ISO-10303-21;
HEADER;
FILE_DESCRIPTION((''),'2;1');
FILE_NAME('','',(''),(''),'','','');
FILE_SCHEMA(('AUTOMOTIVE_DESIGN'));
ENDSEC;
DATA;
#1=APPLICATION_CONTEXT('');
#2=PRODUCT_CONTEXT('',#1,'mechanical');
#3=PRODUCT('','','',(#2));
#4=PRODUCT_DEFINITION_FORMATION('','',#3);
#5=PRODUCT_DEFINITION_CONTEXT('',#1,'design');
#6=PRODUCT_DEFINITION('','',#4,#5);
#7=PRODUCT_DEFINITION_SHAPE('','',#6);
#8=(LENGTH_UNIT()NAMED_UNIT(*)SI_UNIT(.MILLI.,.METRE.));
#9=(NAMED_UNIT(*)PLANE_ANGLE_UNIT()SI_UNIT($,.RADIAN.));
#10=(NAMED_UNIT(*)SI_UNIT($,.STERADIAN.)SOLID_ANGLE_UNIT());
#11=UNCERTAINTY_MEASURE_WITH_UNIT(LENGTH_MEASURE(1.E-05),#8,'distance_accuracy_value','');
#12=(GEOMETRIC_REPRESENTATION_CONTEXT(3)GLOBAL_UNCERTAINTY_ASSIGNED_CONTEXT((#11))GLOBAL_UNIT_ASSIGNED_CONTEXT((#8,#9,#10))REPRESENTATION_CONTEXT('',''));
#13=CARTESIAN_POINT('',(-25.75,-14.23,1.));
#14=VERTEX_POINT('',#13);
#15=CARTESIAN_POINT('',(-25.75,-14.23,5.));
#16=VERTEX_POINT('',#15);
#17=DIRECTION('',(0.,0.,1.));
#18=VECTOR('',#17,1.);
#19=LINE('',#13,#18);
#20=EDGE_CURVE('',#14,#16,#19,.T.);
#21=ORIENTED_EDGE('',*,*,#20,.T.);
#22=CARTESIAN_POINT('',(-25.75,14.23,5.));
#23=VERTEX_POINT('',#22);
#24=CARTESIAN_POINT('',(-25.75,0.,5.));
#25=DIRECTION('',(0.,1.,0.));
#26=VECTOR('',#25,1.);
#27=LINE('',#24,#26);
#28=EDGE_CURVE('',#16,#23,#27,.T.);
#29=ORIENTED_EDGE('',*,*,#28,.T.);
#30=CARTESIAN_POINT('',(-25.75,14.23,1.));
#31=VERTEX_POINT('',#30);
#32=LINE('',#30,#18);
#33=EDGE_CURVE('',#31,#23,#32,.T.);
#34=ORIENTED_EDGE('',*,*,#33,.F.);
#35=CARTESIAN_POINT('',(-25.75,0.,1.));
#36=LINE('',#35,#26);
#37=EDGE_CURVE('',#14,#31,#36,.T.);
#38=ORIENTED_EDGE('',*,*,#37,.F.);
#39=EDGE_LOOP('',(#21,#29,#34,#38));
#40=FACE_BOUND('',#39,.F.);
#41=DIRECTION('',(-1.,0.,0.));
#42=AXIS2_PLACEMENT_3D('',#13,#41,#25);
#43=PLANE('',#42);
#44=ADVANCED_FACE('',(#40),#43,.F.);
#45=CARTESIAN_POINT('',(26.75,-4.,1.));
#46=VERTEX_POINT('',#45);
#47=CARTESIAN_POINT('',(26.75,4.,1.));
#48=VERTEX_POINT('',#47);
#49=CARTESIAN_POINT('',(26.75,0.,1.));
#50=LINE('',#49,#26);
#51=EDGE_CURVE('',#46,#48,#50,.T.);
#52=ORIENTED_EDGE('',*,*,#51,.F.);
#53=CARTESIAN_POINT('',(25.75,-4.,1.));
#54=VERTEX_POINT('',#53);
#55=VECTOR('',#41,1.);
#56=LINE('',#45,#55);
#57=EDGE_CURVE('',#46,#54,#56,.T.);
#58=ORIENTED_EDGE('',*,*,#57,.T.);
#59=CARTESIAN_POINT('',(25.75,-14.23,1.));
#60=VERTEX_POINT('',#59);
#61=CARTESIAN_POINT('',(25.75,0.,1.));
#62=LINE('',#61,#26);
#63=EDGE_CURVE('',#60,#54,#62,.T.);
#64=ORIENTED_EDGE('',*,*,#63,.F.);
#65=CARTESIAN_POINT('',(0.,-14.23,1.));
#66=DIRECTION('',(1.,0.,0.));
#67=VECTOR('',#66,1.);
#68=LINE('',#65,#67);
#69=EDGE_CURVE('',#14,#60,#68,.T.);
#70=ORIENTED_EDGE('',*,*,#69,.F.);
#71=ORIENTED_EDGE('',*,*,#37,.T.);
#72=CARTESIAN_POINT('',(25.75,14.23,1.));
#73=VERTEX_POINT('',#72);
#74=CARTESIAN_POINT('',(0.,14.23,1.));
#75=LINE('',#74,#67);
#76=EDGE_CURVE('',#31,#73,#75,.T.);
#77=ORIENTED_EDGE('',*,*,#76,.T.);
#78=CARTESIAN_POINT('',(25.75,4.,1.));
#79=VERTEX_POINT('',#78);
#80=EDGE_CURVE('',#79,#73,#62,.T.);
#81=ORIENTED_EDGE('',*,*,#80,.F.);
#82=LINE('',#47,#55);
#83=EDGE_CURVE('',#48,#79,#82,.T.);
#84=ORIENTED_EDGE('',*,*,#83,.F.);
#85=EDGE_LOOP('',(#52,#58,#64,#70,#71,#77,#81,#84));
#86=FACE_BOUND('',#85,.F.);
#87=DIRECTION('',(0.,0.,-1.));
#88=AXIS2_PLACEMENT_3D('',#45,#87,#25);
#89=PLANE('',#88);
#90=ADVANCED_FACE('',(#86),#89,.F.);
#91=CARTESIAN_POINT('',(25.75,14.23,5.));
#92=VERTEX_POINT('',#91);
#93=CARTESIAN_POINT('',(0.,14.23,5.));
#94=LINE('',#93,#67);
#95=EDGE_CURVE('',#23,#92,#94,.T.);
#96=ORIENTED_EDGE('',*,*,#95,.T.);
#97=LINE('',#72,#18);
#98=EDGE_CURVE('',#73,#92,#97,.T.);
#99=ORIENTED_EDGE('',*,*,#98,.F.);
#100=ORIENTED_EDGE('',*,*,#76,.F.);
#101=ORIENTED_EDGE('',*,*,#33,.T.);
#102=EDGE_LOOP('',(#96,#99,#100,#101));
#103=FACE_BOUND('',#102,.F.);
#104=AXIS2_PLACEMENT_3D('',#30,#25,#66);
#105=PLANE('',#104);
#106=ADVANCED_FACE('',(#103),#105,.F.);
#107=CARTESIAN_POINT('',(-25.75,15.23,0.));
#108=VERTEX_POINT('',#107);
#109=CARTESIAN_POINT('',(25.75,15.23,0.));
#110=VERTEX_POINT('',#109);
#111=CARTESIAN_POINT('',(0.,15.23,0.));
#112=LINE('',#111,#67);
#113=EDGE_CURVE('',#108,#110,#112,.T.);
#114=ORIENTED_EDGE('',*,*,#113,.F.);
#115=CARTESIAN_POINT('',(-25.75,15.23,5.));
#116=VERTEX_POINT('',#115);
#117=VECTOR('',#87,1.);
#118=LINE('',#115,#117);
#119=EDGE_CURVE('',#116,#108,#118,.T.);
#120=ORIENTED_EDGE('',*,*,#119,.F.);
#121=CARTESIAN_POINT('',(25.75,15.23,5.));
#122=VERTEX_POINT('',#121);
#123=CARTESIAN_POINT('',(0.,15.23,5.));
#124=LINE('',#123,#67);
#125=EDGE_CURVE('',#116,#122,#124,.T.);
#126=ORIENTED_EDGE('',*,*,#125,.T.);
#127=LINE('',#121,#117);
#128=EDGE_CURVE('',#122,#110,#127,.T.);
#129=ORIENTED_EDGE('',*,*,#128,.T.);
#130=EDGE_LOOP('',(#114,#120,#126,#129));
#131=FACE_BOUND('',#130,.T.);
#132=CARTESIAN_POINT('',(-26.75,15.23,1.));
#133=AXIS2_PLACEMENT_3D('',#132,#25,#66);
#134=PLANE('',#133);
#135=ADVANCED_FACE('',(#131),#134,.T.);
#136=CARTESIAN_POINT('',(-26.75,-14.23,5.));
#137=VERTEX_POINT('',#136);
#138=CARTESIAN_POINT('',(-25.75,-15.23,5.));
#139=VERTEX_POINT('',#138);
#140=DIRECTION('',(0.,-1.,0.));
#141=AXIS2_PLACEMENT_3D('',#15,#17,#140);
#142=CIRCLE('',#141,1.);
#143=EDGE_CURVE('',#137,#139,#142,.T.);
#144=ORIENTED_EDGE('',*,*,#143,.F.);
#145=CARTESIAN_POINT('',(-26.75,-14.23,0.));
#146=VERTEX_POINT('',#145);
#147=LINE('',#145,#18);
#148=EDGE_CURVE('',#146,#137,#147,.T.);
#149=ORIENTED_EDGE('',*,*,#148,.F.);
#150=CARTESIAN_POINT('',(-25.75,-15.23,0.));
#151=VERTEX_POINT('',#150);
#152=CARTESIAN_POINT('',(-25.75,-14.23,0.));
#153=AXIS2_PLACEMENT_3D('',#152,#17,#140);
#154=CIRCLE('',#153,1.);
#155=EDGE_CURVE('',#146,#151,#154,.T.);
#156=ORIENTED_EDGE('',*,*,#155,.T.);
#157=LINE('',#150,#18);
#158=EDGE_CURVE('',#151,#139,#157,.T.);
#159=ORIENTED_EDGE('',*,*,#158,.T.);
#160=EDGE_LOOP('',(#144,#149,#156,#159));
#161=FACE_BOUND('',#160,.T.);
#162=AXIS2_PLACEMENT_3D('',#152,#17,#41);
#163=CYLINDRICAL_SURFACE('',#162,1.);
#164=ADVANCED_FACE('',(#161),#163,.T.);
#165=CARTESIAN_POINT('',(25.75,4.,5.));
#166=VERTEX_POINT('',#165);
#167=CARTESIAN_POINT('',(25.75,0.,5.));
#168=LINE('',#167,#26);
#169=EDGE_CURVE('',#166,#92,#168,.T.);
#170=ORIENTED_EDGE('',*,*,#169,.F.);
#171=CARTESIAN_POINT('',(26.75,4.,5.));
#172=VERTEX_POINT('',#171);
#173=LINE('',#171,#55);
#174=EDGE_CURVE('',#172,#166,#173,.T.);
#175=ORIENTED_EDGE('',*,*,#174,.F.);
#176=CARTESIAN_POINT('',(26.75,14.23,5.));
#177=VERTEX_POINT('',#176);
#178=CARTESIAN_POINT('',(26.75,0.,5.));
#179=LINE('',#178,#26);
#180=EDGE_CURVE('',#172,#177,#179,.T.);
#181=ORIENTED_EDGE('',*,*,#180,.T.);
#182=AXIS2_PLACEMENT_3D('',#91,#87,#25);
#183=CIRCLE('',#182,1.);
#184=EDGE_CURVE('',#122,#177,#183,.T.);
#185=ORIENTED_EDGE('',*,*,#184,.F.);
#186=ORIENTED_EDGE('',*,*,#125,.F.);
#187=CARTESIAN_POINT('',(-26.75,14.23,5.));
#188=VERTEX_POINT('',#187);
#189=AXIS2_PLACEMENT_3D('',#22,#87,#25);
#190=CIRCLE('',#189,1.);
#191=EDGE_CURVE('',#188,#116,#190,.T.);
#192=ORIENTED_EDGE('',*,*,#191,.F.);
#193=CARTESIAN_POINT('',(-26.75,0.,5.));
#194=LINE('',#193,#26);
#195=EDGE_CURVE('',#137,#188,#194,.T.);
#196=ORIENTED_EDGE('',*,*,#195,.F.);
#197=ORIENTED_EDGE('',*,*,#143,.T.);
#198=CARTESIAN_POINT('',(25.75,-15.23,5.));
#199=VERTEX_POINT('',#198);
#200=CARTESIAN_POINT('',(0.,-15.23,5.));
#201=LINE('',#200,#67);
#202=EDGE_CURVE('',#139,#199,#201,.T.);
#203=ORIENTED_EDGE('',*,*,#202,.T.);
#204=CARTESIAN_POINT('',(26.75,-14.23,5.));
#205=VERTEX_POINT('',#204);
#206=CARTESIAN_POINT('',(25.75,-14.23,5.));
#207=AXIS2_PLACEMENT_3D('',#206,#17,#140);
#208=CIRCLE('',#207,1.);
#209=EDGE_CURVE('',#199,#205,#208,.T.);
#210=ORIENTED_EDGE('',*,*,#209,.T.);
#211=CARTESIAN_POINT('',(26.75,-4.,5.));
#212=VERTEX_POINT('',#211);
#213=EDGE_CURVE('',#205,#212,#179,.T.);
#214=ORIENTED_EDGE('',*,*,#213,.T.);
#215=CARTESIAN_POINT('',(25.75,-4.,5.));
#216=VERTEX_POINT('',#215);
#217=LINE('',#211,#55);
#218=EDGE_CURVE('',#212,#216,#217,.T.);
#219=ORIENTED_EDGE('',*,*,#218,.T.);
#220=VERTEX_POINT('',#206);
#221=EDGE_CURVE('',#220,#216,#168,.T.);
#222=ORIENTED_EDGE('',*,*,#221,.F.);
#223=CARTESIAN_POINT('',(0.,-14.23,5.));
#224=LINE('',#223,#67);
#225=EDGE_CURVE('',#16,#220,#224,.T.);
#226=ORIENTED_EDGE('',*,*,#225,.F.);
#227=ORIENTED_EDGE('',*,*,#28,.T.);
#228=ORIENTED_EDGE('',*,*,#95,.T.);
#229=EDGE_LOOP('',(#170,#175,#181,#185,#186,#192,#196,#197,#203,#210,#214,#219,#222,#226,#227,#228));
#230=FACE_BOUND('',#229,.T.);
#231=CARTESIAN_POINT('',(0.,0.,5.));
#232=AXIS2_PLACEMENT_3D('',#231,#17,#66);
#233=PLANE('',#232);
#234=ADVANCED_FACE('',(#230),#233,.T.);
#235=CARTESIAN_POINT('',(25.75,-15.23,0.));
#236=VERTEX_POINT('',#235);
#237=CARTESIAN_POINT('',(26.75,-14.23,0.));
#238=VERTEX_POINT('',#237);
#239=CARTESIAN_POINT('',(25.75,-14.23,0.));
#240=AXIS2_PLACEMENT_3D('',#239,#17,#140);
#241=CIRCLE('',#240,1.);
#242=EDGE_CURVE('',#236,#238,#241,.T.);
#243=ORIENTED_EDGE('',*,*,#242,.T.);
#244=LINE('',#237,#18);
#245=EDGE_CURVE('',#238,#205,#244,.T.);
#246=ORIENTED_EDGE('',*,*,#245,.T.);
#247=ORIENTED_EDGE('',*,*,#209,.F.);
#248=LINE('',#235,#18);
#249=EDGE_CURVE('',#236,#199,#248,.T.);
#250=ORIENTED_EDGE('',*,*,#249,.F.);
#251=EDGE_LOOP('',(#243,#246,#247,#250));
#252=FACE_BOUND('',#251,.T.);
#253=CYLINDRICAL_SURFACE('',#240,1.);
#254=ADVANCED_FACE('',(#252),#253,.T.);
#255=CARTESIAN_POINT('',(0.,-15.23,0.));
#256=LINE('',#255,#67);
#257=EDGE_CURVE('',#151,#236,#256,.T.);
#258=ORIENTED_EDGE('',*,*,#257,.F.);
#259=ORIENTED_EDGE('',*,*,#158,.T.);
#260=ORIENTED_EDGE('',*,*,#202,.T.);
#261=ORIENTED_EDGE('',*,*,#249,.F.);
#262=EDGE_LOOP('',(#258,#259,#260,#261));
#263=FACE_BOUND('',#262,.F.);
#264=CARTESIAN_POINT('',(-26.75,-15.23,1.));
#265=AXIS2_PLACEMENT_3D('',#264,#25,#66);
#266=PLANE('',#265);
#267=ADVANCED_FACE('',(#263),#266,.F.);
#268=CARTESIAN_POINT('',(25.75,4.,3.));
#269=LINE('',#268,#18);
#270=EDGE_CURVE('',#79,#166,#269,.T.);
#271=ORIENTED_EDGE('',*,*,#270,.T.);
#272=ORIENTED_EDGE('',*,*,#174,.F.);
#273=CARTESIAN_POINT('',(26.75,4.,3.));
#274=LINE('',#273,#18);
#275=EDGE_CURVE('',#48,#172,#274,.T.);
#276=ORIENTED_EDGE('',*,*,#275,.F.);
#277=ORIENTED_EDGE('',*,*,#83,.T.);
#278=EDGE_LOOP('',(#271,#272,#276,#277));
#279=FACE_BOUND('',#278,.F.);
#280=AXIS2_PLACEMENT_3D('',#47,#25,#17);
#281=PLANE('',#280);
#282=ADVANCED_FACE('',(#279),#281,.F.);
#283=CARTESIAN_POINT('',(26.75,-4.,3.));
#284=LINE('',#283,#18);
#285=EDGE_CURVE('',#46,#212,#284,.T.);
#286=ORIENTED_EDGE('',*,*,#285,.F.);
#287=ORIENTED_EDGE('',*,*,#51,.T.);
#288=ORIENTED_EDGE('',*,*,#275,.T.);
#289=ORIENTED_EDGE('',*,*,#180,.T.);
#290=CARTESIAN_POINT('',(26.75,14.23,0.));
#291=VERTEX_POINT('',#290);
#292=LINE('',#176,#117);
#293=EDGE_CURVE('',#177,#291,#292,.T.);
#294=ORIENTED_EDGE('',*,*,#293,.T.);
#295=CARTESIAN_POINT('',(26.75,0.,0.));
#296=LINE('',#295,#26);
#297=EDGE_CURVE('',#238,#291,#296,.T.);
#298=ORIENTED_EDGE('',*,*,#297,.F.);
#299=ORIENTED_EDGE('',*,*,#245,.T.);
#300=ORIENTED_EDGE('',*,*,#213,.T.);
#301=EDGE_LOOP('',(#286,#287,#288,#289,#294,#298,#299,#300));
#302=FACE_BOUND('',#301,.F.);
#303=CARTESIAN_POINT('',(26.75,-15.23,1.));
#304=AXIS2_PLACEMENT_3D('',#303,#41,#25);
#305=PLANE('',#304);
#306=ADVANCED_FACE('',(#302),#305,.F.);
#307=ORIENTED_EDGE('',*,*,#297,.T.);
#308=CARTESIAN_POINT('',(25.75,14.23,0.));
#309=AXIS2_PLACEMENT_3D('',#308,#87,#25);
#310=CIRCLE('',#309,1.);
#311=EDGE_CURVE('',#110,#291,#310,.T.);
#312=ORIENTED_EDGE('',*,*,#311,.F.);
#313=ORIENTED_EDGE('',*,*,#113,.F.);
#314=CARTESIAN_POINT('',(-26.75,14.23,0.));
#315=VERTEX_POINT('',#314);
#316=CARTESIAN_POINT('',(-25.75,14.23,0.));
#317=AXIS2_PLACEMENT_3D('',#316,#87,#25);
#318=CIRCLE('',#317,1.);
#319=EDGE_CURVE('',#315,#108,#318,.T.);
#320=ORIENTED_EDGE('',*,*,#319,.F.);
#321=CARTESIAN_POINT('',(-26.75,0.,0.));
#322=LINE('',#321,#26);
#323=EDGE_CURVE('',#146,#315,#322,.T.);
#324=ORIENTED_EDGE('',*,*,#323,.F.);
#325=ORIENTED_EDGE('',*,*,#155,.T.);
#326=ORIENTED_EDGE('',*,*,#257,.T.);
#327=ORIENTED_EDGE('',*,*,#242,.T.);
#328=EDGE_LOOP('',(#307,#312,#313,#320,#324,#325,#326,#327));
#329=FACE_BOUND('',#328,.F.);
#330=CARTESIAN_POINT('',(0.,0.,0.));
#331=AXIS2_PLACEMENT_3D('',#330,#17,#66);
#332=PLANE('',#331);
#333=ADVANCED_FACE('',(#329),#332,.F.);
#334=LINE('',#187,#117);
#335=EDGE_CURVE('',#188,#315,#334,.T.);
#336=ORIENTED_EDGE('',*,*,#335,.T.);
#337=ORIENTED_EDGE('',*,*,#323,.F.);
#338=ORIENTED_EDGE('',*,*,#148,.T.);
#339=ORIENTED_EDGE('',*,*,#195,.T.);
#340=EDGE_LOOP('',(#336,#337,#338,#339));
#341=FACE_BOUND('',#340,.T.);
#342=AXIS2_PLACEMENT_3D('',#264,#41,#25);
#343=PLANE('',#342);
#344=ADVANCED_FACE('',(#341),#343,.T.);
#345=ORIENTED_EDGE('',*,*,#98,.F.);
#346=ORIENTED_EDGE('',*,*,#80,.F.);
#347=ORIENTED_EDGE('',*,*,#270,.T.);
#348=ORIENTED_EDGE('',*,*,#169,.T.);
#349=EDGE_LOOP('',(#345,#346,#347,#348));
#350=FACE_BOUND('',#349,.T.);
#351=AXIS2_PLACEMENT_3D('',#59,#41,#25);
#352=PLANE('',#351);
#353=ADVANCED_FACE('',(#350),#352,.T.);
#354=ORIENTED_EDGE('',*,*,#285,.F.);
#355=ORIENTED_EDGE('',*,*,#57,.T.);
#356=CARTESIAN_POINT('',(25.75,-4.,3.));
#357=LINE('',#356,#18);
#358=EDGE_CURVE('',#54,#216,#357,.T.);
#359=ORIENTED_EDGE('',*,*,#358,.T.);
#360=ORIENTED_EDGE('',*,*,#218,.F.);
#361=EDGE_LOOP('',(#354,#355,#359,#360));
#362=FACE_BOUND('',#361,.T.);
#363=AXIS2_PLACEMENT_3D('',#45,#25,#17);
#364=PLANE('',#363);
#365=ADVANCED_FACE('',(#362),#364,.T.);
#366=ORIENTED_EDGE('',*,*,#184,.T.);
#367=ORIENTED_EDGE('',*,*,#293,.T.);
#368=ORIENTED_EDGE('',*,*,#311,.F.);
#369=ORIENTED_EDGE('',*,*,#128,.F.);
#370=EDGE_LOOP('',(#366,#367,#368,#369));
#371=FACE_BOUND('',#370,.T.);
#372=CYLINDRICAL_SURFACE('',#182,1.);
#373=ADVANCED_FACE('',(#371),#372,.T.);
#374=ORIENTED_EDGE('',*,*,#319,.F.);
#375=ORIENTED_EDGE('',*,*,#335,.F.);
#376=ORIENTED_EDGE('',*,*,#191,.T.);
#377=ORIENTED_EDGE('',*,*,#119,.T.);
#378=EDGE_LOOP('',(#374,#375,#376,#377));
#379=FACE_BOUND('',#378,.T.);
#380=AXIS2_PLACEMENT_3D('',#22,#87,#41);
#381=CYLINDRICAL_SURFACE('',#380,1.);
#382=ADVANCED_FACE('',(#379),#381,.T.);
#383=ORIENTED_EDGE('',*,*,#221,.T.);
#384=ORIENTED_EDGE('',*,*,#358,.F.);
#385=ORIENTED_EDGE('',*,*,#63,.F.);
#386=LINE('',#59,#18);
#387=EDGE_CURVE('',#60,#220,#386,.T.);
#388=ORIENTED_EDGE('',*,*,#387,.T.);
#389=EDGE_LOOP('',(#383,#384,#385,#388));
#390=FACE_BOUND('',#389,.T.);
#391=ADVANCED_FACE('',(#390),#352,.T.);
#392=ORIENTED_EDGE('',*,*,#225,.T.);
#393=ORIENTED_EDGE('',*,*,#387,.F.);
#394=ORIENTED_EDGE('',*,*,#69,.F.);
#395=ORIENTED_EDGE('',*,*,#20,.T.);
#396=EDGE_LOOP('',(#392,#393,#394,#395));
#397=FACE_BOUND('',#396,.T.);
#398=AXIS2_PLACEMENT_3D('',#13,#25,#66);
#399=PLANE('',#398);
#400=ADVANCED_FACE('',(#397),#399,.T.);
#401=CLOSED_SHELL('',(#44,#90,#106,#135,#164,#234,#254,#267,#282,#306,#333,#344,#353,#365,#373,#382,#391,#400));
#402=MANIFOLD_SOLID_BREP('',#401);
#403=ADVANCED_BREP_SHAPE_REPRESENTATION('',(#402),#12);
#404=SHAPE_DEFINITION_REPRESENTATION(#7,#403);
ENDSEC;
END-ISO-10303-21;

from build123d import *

# Parameters (mm, degrees)
SKETCH_W      = 53.5
SKETCH_H      = 30.46
PAD_DEPTH     = 1
SKETCH001_W   = 53.5
SKETCH001_H   = 30.46
SKETCH001_W_2 = 51.5
SKETCH001_H_2 = 28.46
PAD001_DEPTH  = 4
SKETCH002_W   = 8
SKETCH002_H   = 4
POCKET_DEPTH  = 1
FILLET_R      = 1


with BuildPart() as part:
    # Sketch → Pad (new body)
    with BuildSketch(Plane.XY):
        Rectangle(SKETCH_W, SKETCH_H)
    extrude(amount=PAD_DEPTH)

    # Sketch001 (on Face6 of Pad) → Pad001 (join)
    with BuildSketch(Plane.XY.offset(1)):
        Rectangle(SKETCH001_W, SKETCH001_H)
        Rectangle(SKETCH001_W_2, SKETCH001_H_2, mode=Mode.SUBTRACT)
    extrude(amount=PAD001_DEPTH)

    # Sketch002 (on Face8 of Pad001) → Pocket (cut)
    with BuildSketch(Plane.YZ.offset(26.75)):
        with Locations((0, 3)):
            Rectangle(SKETCH002_W, SKETCH002_H)
    extrude(amount=-POCKET_DEPTH, mode=Mode.SUBTRACT)

    # Fillet
    fillet_edges = [part.edges().sort_by_distance(p)[0] for p in [
        (26.75, -15.23, 0.5),
        (26.75, -15.23, 3),
        (26.75, 15.23, 3),
        (26.75, 15.23, 0.5),
        (-26.75, 15.23, 3),
        (-26.75, 15.23, 0.5),
        (-26.75, -15.23, 3),
        (-26.75, -15.23, 0.5),
    ]]
    fillet(fillet_edges, radius=FILLET_R)


solid = part.part
